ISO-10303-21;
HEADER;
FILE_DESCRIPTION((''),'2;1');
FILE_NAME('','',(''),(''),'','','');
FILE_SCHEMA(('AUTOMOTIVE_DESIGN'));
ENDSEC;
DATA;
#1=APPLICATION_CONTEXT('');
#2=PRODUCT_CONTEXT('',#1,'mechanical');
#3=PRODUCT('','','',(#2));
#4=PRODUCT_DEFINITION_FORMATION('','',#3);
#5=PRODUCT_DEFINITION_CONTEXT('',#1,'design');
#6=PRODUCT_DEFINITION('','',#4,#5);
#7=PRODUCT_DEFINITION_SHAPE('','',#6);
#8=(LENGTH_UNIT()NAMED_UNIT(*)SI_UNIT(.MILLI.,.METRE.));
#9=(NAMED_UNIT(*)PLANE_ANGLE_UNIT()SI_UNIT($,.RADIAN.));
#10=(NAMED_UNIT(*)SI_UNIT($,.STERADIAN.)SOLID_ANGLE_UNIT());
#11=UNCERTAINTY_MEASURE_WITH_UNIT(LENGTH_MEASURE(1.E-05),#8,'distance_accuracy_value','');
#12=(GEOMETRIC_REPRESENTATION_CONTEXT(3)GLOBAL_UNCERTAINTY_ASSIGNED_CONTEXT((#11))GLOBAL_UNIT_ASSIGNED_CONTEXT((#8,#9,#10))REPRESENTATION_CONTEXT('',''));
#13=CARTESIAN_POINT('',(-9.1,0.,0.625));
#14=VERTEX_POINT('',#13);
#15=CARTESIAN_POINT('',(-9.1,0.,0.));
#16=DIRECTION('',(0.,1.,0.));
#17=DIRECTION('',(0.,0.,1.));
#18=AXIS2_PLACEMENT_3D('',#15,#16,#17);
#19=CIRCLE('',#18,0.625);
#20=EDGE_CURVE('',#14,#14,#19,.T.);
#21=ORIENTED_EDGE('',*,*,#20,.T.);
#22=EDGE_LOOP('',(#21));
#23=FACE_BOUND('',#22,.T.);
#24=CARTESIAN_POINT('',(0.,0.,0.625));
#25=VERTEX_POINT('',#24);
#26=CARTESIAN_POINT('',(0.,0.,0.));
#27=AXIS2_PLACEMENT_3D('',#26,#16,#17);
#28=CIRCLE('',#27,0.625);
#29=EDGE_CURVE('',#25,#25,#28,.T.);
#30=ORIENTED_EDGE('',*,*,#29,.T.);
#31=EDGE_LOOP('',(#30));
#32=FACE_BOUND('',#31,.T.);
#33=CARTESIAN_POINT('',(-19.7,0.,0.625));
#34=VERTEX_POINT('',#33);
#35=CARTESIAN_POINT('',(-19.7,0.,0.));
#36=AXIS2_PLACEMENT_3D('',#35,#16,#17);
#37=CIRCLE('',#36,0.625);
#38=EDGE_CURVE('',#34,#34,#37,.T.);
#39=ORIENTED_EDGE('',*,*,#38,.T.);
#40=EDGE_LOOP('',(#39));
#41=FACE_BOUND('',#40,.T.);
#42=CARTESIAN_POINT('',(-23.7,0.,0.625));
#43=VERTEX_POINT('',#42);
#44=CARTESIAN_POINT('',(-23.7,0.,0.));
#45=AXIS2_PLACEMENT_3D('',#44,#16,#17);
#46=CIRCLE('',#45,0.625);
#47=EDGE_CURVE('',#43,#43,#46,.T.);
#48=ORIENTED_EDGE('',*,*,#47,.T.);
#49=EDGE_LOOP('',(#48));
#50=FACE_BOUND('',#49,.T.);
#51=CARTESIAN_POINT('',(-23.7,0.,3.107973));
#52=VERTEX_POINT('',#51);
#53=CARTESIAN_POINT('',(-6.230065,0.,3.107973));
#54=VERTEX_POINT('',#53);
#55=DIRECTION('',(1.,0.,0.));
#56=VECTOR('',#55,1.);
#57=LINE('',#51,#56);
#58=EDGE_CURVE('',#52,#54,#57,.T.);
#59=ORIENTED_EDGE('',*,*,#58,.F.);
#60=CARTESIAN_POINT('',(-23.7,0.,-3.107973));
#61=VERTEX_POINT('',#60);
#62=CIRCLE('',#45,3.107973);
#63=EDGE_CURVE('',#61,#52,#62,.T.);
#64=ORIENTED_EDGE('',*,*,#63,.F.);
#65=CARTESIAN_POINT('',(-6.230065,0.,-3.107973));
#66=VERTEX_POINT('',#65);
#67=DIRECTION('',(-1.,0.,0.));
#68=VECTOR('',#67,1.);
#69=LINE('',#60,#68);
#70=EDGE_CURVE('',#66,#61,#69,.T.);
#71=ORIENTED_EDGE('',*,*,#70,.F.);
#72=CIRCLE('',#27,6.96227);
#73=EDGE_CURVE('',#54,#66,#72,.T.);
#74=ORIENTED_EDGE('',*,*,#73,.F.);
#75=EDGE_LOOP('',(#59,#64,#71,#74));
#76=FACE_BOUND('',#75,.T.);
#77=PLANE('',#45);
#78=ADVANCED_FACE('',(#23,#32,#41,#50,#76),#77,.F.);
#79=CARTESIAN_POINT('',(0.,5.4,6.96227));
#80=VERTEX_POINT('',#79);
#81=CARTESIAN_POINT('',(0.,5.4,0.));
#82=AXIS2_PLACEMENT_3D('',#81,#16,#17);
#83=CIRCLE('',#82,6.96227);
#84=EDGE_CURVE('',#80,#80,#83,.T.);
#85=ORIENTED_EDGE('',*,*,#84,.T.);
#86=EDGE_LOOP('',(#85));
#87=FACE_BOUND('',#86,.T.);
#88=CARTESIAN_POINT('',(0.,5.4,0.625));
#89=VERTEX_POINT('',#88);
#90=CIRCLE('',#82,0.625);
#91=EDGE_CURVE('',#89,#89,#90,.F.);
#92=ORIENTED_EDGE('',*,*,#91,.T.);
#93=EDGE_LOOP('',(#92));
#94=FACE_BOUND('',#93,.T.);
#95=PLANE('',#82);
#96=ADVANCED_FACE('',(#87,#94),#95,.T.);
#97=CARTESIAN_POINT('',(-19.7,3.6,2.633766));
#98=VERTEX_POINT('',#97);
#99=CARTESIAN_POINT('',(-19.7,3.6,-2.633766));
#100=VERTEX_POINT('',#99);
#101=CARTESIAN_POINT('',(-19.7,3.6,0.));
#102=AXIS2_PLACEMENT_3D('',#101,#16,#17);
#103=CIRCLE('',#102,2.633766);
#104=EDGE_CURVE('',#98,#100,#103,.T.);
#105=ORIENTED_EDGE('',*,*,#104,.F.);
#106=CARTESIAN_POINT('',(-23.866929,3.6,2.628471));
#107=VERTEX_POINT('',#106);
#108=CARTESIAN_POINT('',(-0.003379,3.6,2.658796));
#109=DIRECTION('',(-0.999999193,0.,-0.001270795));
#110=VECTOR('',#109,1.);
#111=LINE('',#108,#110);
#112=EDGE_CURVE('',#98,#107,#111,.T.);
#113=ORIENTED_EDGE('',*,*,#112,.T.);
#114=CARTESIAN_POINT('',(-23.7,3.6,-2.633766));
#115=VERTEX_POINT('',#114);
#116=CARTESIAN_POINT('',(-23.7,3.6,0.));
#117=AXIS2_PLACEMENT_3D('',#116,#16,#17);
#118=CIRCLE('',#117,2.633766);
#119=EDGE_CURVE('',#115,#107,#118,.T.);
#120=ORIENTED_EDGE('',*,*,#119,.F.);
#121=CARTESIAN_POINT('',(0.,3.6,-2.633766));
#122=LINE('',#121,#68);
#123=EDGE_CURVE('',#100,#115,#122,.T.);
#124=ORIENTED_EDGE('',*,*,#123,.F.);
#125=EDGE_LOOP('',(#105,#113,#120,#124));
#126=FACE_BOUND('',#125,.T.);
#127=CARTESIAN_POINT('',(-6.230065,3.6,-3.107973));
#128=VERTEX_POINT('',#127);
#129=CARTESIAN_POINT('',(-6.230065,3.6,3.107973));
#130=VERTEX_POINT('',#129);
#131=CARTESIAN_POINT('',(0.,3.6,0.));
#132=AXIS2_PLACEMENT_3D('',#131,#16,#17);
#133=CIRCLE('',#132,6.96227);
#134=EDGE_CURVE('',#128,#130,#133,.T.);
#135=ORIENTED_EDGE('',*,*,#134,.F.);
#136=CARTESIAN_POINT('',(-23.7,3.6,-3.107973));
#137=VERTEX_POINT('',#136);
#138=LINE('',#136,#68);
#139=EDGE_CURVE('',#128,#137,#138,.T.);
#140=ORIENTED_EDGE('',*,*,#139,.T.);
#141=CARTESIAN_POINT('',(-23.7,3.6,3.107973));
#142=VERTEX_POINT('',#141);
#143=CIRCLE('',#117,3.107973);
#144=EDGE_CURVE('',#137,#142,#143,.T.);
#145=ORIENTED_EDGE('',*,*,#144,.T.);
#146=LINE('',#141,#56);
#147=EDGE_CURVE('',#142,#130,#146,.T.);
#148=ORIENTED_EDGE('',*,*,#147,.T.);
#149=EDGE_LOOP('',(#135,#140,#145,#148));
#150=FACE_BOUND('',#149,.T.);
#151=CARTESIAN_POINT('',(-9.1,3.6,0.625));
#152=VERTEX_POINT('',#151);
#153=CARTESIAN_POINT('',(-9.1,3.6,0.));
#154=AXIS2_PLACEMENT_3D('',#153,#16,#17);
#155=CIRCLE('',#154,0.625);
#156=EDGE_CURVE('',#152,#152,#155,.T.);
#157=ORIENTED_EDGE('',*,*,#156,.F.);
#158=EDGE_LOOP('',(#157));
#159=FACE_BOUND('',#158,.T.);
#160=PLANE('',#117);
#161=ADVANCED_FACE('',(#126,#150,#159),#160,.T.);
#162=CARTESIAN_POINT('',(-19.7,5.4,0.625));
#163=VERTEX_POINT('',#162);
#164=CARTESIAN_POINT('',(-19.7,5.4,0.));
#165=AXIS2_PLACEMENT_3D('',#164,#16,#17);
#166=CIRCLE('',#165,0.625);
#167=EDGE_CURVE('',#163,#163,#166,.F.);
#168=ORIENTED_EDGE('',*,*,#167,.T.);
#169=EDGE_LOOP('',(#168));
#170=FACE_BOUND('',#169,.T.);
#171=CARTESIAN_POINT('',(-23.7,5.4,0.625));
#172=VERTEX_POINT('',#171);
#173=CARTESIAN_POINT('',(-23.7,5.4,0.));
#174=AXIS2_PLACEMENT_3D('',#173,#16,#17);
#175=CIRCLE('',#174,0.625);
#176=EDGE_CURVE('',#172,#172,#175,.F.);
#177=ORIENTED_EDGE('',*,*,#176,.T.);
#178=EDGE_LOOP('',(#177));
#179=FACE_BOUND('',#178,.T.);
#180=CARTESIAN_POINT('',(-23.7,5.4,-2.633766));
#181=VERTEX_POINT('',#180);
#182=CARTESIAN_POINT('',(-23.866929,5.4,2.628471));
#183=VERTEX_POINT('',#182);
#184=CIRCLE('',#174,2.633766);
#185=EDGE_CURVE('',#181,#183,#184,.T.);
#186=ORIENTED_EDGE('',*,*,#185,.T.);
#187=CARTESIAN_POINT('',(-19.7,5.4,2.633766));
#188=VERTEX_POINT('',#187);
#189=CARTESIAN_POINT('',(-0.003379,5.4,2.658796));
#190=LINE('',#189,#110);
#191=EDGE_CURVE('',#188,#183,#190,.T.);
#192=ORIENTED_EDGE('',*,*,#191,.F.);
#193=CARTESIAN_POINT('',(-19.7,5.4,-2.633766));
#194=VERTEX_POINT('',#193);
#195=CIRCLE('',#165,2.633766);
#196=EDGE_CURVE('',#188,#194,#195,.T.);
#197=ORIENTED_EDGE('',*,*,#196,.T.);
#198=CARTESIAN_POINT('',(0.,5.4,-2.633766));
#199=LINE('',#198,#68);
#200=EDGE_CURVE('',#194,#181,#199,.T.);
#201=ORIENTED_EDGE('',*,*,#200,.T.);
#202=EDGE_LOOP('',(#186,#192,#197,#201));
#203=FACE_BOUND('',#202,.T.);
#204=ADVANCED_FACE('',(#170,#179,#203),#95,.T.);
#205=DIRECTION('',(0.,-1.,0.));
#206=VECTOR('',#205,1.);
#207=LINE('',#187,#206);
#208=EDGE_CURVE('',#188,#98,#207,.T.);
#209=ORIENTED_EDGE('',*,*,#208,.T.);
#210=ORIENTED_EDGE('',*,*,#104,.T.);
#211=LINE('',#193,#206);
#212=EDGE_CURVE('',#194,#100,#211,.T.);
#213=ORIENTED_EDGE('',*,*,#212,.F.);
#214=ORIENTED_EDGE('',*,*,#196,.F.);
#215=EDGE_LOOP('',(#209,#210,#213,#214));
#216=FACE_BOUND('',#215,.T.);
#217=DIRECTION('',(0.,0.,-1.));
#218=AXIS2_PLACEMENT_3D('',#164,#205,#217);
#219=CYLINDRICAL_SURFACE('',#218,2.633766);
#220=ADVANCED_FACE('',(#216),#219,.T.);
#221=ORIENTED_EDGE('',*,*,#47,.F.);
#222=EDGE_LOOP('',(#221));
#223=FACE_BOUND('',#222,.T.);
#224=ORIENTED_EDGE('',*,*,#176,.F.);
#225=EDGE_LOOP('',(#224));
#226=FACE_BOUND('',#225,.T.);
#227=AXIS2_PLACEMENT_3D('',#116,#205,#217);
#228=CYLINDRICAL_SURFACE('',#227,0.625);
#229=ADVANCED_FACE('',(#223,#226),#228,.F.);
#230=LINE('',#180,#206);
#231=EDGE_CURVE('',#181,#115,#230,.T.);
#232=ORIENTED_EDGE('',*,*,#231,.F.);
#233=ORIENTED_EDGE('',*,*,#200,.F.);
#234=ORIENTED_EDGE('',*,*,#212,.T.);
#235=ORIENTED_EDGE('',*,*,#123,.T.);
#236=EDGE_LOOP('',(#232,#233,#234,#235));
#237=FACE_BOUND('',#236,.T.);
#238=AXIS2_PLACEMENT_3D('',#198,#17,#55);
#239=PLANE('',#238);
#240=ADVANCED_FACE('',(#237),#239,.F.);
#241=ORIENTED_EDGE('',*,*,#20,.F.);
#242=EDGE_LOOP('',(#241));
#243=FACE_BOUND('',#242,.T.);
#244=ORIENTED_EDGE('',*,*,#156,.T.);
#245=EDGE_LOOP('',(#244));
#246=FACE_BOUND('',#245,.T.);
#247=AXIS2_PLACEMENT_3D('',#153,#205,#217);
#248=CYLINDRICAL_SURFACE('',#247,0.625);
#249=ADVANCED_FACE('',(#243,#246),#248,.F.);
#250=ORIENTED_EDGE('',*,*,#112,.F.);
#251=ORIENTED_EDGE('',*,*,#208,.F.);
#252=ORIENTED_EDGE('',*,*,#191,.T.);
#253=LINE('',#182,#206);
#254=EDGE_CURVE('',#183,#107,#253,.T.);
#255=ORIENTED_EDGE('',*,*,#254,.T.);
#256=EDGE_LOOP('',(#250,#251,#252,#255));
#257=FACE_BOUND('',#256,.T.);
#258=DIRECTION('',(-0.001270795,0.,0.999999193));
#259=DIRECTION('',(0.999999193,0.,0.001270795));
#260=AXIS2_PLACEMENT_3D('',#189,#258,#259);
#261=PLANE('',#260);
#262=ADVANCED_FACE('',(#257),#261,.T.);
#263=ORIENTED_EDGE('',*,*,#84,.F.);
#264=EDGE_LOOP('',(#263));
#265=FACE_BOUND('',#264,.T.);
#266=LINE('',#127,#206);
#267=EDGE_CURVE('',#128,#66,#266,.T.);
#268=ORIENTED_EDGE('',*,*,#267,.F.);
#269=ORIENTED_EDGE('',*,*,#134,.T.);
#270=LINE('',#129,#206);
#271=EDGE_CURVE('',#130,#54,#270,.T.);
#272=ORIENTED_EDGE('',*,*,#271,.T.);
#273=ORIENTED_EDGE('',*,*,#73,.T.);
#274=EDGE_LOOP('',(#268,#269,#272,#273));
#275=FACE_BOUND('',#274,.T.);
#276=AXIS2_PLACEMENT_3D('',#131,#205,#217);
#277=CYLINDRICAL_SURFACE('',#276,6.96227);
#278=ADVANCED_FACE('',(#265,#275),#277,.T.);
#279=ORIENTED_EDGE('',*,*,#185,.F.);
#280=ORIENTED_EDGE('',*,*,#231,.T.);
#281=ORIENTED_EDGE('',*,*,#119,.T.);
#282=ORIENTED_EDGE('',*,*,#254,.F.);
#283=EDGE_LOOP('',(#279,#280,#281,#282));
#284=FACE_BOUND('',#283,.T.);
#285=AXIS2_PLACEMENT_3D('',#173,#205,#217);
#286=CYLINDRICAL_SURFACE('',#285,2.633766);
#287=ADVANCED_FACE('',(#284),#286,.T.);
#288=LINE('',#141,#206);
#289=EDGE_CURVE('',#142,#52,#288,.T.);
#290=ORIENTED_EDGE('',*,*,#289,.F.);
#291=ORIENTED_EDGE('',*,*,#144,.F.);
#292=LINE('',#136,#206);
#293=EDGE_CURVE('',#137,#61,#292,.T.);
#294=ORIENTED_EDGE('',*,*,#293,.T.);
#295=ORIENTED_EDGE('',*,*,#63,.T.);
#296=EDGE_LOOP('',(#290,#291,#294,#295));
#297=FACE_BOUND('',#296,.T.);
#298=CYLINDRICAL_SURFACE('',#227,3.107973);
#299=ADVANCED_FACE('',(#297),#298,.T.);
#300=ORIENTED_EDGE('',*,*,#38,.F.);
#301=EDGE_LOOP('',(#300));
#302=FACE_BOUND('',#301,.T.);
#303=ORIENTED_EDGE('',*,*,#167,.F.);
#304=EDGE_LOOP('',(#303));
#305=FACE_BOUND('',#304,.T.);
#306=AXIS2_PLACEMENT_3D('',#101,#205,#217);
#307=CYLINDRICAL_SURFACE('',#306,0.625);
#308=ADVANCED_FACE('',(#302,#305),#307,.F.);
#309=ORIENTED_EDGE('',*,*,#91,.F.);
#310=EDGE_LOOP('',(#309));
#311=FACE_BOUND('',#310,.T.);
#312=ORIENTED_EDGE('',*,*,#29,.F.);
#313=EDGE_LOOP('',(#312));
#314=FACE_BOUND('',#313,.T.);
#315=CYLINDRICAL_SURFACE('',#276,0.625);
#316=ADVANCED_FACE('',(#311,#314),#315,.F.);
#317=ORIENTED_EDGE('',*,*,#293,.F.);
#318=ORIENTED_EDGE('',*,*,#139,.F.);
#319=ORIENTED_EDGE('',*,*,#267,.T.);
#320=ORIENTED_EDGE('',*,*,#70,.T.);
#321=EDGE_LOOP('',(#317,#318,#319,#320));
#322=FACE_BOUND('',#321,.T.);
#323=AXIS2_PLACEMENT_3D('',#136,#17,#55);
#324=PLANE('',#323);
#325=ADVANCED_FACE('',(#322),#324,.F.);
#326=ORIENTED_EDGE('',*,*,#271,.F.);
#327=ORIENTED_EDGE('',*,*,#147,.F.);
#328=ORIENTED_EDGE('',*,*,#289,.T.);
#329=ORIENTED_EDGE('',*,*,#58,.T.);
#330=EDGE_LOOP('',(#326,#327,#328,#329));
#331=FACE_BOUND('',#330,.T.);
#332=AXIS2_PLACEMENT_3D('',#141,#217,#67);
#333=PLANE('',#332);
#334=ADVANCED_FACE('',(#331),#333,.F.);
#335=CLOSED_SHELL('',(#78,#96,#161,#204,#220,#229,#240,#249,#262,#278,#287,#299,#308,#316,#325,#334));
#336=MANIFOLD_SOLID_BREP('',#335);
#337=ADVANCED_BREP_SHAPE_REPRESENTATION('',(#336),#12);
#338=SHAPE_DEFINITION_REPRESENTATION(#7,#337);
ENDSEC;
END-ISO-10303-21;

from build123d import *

# Parameters (mm, degrees)
SKETCH1_R           = 0.625
BOSS_EXTRUDE1_DEPTH = 3.6
SKETCH2_R           = 0.625
BOSS_EXTRUDE2_DEPTH = 1.8


with BuildPart() as part:
    # Sketch1 → Boss-Extrude1 (new body)
    with BuildSketch(Plane(origin=(0, 0, 0), x_dir=(1, 0, 0), z_dir=(0, 1, 0))):
        with BuildLine():
            Line((-23.7, 3.107973286), (-6.230065085, 3.107973286))
            ThreePointArc((-6.230065085, 3.107973286), (6.962270385, 0), (-6.230065085, -3.107973286))
            Line((-6.230065085, -3.107973286), (-23.7, -3.107973286))
            ThreePointArc((-23.7, -3.107973286), (-26.807973286, 0), (-23.7, 3.107973286))
        make_face()
        with Locations((-23.7, 0)):
            Circle(SKETCH1_R, mode=Mode.SUBTRACT)
        with Locations((-19.7, 0)):
            Circle(SKETCH1_R, mode=Mode.SUBTRACT)
        with Locations((-9.1, 0)):
            Circle(SKETCH1_R, mode=Mode.SUBTRACT)
        Circle(SKETCH1_R, mode=Mode.SUBTRACT)
    extrude(amount=BOSS_EXTRUDE1_DEPTH)

    # Sketch2 → Boss-Extrude2 (add)
    with BuildSketch(Plane(origin=(0, 3.6, 0), x_dir=(1, 0, 0), z_dir=(0, 1, 0))):
        with BuildLine():
            ThreePointArc((-19.7, -2.633766086), (-17.066233914, 0), (-19.7, 2.633766086))
            Line((-19.7, 2.633766086), (-23.7, 2.633766086))
            ThreePointArc((-23.7, 2.633766086), (-26.332441924, 0.083506378), (-23.866928789, -2.628470768))
            Line((-23.866928789, -2.628470768), (-23.539752243, -2.628886543))
            Line((-23.539752243, -2.628886543), (-19.706693951, -2.63375758))
            Line((-19.706693951, -2.63375758), (-19.7, -2.633766086))
        make_face()
        with Locations((-19.7, 0)):
            Circle(SKETCH2_R, mode=Mode.SUBTRACT)
        with Locations((-23.7, 0)):
            Circle(SKETCH2_R, mode=Mode.SUBTRACT)
        with BuildLine():
            ThreePointArc((-6.230065085, -3.107973286), (1.596529247, -6.776747249), (6.962270385, 0))
            ThreePointArc((6.962270385, 0), (1.596529247, 6.776747249), (-6.230065085, 3.107973286))
            ThreePointArc((-6.230065085, 3.107973286), (-6.962270385, 0), (-6.230065085, -3.107973286))
        make_face()
        Circle(SKETCH2_R, mode=Mode.SUBTRACT)
    extrude(amount=BOSS_EXTRUDE2_DEPTH)


solid = part.part
